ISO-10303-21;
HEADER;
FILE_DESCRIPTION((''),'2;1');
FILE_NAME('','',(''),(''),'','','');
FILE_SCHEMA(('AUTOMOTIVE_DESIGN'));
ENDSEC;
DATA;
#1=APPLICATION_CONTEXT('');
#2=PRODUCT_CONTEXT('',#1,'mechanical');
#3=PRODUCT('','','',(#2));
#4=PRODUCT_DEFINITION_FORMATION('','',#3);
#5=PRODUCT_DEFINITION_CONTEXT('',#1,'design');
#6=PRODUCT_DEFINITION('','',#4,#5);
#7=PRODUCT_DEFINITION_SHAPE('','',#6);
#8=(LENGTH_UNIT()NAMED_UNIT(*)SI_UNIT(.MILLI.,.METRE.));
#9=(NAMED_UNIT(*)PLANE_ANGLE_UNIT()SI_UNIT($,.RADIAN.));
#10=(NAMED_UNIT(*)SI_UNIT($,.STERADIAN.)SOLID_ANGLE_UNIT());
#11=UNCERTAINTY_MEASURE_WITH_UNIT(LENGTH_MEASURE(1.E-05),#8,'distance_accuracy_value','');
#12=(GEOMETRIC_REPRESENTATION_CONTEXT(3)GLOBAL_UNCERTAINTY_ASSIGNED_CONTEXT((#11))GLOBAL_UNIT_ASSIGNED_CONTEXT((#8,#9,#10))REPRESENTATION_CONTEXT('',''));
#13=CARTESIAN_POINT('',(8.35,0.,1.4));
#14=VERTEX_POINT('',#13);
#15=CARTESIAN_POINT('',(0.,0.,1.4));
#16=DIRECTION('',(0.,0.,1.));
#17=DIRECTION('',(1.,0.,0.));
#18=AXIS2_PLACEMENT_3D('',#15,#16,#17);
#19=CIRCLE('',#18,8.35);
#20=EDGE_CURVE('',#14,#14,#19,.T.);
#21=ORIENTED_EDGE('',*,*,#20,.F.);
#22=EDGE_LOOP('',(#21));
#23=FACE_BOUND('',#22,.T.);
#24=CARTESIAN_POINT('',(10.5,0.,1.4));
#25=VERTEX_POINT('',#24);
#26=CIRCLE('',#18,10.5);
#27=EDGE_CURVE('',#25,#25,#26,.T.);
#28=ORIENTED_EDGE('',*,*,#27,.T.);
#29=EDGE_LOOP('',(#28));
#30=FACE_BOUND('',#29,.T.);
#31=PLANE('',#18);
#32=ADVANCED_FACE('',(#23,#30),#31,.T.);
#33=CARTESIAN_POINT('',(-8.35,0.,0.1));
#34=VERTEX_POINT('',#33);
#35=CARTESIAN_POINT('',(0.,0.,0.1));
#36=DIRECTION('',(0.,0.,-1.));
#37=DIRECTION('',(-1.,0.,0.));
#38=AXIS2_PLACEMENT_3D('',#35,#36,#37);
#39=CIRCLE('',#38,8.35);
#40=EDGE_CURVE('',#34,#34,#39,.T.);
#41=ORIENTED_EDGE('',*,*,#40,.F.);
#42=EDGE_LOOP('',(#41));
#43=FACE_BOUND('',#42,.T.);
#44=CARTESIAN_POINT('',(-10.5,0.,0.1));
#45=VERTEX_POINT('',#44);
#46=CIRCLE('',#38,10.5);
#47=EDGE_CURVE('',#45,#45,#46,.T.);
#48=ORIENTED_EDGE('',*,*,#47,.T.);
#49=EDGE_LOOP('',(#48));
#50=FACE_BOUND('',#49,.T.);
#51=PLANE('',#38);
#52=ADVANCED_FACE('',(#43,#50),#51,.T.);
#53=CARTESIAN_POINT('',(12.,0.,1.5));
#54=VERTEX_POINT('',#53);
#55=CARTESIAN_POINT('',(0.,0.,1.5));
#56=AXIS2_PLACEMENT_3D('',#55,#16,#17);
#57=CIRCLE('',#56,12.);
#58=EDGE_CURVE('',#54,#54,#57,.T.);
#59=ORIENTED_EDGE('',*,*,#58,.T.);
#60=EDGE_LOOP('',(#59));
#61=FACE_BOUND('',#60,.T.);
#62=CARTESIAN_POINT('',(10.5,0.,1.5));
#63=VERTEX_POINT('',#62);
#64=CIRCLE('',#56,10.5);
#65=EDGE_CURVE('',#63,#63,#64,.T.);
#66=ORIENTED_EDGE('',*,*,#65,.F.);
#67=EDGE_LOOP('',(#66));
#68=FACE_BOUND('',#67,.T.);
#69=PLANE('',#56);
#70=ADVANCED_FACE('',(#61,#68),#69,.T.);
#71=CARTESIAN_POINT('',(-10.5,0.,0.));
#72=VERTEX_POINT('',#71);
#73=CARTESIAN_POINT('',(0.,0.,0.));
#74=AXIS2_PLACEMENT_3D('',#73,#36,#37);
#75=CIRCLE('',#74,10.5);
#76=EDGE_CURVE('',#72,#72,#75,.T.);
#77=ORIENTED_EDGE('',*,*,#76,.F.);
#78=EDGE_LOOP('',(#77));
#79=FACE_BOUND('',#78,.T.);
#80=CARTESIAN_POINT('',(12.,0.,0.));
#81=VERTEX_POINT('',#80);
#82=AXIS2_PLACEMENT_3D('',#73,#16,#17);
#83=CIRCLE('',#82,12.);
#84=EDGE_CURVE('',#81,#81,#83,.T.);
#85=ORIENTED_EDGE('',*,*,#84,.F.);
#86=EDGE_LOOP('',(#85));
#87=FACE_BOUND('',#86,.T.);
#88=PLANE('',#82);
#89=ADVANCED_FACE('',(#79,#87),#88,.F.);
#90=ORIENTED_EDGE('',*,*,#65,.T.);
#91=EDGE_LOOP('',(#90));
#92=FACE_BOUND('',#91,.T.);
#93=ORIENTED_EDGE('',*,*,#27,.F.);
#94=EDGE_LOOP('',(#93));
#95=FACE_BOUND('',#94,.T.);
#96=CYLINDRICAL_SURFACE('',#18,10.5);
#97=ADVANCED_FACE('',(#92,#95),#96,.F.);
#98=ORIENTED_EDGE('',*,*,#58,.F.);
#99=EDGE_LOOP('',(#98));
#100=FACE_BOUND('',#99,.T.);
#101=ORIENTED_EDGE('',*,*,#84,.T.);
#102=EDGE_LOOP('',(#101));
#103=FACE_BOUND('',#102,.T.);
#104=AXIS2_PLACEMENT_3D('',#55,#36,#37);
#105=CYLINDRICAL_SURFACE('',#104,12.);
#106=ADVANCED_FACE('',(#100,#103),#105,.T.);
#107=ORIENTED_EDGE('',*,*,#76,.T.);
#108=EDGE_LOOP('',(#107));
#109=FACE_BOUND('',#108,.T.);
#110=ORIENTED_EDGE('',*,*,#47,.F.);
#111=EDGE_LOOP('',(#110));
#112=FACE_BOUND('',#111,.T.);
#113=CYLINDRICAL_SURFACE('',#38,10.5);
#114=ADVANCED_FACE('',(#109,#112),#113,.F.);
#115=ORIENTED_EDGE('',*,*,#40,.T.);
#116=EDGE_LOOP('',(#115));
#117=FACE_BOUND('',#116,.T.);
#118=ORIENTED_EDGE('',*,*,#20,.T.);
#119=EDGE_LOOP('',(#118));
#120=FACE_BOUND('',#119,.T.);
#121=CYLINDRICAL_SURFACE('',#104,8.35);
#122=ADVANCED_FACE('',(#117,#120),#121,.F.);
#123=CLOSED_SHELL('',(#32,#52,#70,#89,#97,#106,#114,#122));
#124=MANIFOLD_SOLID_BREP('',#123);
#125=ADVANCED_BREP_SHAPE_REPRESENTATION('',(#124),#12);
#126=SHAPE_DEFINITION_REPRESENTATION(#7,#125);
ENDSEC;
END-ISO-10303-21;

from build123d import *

# Parameters (mm, degrees)
SKETCH1_R           = 12
SKETCH1_R_2         = 8.35
BOSS_EXTRUDE1_DEPTH = 1.5
SKETCH3_R           = 10.5
CUT_EXTRUDE1_DEPTH  = 0.1
CUT_EXTRUDE2_START  = -0.1
SKETCH4_R           = 10.5
CUT_EXTRUDE2_DEPTH  = 0.1


with BuildPart() as part:
    # Sketch1 → Boss-Extrude1 (new body)
    with BuildSketch(Plane.XY):
        Circle(SKETCH1_R)
        Circle(SKETCH1_R_2, mode=Mode.SUBTRACT)
    extrude(amount=BOSS_EXTRUDE1_DEPTH)

    # Sketch3 → Cut-Extrude1 (cut)
    with BuildSketch(Plane.XY.offset(1.5)):
        Circle(SKETCH3_R)
    extrude(amount=-CUT_EXTRUDE1_DEPTH, mode=Mode.SUBTRACT)

    # Sketch4 → Cut-Extrude2 (cut)
    with BuildSketch(Plane(origin=(0, 0, 0), x_dir=(-1, 0, 0), z_dir=(0, 0, -1)).offset(CUT_EXTRUDE2_START)):
        Circle(SKETCH4_R)
    extrude(amount=CUT_EXTRUDE2_DEPTH, mode=Mode.SUBTRACT)


solid = part.part
